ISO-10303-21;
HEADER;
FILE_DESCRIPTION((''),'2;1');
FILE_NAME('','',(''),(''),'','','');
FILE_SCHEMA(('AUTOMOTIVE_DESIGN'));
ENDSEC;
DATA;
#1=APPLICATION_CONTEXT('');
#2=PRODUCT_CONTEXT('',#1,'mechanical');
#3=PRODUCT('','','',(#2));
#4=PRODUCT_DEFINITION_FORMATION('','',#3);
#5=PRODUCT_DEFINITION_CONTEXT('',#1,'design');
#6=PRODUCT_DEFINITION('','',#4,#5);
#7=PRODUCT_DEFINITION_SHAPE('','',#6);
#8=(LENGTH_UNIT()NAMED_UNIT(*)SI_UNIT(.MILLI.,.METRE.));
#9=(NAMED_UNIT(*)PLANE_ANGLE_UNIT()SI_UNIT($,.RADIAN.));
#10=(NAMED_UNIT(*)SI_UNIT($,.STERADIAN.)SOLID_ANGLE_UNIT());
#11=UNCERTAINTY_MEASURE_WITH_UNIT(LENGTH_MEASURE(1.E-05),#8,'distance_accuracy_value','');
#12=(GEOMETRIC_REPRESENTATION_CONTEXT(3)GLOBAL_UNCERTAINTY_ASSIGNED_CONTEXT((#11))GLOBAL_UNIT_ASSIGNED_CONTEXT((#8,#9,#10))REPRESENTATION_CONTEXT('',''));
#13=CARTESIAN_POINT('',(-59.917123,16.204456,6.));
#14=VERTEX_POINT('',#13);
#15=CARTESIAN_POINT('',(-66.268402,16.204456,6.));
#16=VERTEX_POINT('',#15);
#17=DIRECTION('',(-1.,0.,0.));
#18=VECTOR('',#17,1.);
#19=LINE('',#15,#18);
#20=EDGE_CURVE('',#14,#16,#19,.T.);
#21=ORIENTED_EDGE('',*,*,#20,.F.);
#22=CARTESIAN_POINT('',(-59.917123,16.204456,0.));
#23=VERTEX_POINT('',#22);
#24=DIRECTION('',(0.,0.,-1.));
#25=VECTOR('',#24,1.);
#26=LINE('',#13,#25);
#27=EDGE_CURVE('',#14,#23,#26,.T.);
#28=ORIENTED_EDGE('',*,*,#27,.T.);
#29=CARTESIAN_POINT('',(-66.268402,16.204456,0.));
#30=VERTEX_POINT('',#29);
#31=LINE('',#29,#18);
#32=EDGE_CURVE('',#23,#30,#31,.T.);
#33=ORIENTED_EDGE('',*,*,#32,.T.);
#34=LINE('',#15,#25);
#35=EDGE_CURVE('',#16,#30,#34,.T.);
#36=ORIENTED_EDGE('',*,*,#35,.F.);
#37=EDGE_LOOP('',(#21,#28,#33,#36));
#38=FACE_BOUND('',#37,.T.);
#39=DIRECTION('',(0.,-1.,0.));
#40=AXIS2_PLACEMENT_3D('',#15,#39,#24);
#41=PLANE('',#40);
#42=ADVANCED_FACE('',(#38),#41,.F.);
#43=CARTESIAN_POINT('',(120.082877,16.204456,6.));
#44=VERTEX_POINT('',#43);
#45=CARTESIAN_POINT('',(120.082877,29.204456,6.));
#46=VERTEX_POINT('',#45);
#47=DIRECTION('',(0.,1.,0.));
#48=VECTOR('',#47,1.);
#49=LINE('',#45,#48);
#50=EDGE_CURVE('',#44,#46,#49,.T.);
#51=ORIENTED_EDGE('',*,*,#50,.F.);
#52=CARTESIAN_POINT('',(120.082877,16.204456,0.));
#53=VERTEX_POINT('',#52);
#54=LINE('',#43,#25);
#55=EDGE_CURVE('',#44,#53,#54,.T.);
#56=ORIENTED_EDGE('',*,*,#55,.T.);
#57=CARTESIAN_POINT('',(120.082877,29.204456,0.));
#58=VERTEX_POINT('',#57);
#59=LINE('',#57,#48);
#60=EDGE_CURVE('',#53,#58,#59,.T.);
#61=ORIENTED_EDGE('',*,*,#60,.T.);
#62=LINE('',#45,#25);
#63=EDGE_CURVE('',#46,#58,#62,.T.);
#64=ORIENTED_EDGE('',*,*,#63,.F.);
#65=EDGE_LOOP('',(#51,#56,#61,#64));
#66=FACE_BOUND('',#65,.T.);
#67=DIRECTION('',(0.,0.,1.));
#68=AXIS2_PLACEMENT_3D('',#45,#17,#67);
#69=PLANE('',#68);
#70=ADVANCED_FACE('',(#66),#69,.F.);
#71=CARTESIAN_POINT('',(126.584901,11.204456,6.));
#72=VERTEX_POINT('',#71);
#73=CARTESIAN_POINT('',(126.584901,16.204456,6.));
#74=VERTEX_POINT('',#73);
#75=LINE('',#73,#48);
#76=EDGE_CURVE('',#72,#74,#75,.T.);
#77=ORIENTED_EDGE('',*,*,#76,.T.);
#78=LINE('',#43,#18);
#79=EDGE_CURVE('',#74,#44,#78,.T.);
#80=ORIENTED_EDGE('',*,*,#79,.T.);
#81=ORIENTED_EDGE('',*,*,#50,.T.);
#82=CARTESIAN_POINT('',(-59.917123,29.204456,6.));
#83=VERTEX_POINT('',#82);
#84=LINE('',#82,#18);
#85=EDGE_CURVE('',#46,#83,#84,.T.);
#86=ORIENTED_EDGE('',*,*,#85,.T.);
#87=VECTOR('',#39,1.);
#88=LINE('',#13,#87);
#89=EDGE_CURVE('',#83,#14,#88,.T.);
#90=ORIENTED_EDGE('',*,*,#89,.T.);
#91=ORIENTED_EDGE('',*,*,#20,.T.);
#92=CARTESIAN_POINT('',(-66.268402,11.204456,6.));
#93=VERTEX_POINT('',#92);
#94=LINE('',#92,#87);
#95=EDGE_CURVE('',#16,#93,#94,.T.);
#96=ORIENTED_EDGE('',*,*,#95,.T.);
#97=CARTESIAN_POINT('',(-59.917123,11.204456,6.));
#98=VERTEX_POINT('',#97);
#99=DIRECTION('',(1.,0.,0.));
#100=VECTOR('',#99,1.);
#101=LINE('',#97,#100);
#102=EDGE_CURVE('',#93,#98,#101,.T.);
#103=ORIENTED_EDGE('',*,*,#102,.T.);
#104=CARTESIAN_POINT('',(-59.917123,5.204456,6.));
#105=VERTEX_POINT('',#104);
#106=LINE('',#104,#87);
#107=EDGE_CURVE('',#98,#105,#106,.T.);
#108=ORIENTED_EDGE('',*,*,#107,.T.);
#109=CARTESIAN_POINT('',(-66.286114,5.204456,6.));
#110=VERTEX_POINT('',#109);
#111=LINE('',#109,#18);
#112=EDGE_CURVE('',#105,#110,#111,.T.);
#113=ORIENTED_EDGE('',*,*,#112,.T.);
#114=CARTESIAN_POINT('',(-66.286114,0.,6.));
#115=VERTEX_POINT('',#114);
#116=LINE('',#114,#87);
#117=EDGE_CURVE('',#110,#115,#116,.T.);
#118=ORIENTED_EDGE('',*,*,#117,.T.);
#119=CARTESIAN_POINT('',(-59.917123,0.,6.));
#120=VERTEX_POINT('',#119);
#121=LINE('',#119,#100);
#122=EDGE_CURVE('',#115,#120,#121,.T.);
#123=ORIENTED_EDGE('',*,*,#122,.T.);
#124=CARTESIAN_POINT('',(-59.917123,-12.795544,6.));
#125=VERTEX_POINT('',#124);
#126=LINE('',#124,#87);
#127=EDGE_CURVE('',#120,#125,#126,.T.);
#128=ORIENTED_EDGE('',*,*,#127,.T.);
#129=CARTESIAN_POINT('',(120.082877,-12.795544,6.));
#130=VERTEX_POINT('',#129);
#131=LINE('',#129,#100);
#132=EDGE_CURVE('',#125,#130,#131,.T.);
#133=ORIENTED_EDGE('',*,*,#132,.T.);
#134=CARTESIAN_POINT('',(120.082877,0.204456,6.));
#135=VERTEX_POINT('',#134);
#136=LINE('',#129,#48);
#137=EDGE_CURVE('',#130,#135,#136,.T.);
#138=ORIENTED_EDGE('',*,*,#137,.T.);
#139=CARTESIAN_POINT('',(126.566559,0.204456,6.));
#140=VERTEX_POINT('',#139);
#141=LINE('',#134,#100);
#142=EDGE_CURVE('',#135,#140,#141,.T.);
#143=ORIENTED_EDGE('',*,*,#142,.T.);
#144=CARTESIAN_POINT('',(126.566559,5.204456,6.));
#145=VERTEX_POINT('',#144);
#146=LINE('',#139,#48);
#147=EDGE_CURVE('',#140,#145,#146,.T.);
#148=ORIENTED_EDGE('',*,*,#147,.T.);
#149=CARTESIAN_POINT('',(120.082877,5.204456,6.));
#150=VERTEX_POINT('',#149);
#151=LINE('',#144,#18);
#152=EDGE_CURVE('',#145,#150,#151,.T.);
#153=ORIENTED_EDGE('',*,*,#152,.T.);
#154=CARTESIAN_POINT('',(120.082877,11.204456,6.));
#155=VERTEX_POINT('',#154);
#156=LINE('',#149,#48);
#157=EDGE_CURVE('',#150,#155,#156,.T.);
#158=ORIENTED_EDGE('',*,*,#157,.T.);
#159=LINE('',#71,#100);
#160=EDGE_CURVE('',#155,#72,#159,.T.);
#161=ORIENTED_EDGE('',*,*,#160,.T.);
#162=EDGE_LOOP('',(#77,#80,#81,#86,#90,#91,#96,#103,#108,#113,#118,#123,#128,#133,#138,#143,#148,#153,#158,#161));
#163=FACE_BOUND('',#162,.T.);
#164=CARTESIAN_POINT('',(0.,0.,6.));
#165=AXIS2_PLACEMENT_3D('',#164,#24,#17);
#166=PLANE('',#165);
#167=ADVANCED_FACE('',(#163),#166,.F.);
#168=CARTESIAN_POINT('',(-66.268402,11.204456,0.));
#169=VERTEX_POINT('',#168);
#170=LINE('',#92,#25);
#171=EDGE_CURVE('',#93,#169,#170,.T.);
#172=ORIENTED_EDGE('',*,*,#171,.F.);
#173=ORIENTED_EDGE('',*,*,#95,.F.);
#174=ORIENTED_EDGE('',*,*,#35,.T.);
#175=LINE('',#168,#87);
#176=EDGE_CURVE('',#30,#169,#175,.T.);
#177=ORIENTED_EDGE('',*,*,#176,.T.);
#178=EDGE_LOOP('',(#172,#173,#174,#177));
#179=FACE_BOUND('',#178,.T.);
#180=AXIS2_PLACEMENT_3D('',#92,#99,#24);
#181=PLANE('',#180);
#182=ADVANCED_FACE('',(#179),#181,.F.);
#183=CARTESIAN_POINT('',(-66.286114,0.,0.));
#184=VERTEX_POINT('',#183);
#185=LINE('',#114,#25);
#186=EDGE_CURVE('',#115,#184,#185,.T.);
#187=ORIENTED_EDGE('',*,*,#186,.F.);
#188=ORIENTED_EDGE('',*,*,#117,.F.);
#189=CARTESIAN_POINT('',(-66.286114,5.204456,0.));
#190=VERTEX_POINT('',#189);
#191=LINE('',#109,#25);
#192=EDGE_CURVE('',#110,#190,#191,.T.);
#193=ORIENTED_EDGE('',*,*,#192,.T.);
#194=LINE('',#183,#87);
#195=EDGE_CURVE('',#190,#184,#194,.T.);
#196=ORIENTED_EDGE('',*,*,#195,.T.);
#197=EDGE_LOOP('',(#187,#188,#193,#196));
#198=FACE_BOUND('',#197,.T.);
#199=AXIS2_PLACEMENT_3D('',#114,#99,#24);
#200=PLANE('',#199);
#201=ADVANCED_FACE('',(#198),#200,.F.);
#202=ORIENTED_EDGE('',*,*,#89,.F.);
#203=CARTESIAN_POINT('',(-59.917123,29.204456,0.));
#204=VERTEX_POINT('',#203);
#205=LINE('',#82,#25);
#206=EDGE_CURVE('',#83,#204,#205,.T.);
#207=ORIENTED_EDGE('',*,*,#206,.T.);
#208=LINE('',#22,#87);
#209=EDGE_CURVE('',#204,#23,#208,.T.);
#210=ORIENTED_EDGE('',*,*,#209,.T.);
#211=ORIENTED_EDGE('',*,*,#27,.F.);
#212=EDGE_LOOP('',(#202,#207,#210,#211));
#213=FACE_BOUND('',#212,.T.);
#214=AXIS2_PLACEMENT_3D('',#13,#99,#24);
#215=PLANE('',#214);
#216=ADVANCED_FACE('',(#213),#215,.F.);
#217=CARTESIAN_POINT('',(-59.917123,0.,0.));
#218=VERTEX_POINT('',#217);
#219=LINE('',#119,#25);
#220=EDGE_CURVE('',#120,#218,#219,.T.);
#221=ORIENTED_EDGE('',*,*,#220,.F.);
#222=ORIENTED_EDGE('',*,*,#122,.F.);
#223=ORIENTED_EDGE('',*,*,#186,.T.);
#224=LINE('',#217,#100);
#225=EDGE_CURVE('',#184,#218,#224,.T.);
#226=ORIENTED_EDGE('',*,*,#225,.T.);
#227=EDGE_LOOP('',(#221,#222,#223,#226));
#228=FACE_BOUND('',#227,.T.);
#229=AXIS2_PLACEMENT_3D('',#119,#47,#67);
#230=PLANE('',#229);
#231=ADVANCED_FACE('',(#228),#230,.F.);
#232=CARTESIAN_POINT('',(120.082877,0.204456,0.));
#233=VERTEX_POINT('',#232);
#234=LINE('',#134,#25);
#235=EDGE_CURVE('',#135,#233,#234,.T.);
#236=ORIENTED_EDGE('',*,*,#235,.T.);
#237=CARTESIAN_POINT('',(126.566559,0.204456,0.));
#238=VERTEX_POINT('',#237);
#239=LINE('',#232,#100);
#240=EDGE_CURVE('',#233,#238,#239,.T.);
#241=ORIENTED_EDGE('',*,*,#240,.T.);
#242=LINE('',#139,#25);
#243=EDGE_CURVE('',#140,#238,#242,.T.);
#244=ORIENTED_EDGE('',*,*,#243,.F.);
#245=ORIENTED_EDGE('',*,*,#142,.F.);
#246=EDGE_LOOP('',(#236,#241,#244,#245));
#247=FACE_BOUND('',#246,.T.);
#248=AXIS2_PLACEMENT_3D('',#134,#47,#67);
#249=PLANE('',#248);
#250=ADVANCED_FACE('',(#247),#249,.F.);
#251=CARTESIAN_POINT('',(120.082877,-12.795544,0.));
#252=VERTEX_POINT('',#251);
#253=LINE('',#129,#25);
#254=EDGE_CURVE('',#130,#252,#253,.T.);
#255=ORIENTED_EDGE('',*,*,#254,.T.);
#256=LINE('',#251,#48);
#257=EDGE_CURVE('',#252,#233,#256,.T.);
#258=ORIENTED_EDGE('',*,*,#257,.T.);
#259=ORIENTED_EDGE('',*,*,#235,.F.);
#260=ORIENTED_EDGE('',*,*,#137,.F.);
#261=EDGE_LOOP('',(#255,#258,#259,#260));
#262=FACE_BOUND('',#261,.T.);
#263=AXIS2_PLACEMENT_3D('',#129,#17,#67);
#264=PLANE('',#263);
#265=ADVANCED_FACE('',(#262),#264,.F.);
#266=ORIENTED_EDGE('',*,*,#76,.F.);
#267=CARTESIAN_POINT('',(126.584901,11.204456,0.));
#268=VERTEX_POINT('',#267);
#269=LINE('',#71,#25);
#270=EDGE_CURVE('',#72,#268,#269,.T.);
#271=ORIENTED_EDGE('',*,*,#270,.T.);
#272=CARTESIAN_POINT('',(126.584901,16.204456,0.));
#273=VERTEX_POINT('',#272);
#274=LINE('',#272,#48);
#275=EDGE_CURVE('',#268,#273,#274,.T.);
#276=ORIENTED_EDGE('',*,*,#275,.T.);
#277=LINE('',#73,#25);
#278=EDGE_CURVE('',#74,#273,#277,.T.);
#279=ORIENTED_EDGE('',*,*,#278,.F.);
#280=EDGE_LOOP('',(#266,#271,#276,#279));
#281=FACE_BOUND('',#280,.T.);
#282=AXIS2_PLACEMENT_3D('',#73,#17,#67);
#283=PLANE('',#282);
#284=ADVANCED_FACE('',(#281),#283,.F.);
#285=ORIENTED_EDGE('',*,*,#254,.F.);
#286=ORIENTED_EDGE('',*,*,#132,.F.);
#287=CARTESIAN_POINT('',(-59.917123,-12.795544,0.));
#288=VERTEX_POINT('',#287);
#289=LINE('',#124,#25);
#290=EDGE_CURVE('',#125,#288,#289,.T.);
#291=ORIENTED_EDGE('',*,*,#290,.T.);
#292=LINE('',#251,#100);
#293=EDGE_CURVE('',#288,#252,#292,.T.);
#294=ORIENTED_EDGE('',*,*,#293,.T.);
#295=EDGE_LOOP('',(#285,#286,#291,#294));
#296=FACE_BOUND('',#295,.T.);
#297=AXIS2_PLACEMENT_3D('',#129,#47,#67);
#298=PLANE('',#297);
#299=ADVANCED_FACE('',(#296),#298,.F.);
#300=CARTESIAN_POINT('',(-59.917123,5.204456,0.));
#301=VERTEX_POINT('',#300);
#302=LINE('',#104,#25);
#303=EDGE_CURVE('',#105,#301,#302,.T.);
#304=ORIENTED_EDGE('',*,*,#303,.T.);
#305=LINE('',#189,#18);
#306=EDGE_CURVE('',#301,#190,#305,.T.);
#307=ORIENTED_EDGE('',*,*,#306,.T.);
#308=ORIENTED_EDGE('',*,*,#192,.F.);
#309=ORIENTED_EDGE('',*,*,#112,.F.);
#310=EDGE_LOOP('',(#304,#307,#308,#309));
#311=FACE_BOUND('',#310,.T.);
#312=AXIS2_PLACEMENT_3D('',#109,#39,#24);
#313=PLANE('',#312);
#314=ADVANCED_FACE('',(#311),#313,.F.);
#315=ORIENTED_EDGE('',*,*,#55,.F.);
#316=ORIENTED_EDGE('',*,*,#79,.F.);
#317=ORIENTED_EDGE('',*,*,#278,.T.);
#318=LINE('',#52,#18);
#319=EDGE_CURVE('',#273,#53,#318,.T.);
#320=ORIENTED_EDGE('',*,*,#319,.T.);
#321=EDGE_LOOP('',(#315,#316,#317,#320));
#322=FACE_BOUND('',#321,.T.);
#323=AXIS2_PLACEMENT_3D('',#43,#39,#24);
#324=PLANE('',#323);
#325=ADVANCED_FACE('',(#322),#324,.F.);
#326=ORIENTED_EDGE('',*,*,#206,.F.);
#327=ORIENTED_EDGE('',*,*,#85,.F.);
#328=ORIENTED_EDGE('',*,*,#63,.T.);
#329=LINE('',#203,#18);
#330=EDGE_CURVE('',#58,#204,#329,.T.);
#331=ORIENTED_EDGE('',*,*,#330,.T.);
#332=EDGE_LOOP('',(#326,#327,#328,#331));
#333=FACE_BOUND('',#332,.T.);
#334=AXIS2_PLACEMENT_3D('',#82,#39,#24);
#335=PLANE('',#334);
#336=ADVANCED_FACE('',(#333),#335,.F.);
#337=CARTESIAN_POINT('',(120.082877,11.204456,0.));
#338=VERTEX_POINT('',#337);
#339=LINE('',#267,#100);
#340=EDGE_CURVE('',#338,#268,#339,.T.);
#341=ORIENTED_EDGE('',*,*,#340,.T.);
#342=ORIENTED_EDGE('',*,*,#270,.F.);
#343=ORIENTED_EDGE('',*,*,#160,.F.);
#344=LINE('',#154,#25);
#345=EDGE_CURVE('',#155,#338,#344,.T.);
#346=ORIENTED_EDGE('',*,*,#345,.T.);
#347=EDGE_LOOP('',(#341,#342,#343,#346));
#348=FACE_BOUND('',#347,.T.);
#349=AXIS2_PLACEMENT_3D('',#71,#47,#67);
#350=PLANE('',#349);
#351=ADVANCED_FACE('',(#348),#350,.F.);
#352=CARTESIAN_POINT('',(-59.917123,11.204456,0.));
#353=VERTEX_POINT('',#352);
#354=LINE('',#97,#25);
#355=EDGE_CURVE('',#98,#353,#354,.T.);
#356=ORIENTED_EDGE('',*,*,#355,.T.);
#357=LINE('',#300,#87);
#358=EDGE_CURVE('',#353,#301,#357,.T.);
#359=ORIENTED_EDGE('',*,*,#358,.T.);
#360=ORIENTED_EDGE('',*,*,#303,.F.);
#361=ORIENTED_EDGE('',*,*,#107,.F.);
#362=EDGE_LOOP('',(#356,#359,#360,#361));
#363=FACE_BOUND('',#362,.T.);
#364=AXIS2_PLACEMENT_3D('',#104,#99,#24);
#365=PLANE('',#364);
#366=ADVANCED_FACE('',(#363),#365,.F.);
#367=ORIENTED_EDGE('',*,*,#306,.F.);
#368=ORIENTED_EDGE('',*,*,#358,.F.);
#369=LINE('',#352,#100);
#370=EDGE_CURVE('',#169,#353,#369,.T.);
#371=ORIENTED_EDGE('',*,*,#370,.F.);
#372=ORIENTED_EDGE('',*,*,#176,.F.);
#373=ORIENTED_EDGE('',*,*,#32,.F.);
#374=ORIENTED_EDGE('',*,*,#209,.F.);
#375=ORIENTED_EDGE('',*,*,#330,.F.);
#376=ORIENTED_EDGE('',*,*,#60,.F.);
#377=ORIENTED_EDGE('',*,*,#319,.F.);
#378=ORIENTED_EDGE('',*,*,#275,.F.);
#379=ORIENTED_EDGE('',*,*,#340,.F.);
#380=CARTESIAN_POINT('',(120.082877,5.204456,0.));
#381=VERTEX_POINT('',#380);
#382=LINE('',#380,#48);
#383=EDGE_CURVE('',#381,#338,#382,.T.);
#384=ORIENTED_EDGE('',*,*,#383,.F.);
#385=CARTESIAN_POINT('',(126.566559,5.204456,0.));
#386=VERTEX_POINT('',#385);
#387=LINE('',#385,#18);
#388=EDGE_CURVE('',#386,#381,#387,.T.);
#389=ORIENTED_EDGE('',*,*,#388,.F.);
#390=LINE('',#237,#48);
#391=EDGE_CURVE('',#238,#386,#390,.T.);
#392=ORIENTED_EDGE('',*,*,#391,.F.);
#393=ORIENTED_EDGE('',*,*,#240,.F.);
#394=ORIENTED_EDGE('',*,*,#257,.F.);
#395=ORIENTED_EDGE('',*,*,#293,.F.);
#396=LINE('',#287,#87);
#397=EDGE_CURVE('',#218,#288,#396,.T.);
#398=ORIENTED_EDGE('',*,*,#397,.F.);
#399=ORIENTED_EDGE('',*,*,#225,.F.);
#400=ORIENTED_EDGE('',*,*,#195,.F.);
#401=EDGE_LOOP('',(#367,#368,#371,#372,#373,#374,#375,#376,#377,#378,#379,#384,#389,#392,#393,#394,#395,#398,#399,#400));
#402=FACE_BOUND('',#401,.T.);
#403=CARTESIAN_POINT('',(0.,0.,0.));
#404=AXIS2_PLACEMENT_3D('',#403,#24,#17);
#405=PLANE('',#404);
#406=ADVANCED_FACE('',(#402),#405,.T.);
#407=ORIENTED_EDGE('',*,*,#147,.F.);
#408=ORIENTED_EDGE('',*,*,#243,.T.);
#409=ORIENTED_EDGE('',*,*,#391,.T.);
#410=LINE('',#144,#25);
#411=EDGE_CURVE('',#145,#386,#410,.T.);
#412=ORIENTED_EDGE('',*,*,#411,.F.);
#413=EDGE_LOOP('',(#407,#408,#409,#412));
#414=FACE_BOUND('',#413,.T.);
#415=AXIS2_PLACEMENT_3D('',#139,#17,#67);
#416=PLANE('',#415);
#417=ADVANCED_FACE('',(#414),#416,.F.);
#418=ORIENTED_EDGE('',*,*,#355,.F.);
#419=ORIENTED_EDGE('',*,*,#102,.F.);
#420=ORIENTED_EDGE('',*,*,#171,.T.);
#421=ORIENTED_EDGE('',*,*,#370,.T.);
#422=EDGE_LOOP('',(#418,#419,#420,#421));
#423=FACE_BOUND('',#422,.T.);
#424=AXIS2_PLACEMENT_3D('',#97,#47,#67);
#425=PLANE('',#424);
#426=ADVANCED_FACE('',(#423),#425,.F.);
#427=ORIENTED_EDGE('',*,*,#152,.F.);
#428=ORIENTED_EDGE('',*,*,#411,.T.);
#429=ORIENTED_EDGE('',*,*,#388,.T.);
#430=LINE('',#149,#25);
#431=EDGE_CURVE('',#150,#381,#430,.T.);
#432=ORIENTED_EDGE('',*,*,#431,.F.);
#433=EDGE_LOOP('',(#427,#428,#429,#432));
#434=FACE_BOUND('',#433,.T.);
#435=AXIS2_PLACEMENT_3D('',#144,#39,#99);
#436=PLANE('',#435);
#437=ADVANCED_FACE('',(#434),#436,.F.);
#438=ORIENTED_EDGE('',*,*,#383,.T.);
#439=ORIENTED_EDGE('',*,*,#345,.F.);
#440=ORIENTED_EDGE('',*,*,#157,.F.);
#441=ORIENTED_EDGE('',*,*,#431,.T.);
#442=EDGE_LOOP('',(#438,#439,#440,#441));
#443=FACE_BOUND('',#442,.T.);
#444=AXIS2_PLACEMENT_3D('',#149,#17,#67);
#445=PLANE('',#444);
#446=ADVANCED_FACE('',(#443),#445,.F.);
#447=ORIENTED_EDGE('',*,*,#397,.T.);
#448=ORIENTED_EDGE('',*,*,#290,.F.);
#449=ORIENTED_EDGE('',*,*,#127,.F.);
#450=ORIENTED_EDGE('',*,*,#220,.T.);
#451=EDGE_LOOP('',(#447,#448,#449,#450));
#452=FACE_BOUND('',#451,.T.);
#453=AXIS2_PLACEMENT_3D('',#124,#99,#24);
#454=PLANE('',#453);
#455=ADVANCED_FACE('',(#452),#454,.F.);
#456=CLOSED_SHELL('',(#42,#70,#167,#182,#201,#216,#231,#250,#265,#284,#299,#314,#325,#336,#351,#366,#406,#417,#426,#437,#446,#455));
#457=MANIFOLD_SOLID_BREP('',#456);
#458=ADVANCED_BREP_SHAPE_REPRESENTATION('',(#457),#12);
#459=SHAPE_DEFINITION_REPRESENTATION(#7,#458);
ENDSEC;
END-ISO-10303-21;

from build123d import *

# Parameters (mm, degrees)
BOSS_EXTRUDE1_DEPTH = 6


with BuildPart() as part:
    # Sketch3 → Boss-Extrude1 (new body)
    with BuildSketch(Plane.XY):
        Polygon((-59.917123056, 29.20445586), (120.082876944, 29.20445586), (120.082876944, 16.20445586), (126.58490102, 16.20445586), (126.58490102, 11.20445586), (120.082876944, 11.20445586), (120.082876944, 5.20445586), (126.566559382, 5.20445586), (126.566559382, 0.20445586), (120.082876944, 0.20445586), (120.082876944, -12.79554414), (-59.917123056, -12.79554414), (-59.917123056, 0), (-66.28611421, 0), (-66.28611421, 5.20445586), (-59.917123056, 5.20445586), (-59.917123056, 11.20445586), (-66.268401935, 11.20445586), (-66.268401935, 16.20445586), (-59.917123056, 16.20445586), align=None)
    extrude(amount=BOSS_EXTRUDE1_DEPTH)


solid = part.part
